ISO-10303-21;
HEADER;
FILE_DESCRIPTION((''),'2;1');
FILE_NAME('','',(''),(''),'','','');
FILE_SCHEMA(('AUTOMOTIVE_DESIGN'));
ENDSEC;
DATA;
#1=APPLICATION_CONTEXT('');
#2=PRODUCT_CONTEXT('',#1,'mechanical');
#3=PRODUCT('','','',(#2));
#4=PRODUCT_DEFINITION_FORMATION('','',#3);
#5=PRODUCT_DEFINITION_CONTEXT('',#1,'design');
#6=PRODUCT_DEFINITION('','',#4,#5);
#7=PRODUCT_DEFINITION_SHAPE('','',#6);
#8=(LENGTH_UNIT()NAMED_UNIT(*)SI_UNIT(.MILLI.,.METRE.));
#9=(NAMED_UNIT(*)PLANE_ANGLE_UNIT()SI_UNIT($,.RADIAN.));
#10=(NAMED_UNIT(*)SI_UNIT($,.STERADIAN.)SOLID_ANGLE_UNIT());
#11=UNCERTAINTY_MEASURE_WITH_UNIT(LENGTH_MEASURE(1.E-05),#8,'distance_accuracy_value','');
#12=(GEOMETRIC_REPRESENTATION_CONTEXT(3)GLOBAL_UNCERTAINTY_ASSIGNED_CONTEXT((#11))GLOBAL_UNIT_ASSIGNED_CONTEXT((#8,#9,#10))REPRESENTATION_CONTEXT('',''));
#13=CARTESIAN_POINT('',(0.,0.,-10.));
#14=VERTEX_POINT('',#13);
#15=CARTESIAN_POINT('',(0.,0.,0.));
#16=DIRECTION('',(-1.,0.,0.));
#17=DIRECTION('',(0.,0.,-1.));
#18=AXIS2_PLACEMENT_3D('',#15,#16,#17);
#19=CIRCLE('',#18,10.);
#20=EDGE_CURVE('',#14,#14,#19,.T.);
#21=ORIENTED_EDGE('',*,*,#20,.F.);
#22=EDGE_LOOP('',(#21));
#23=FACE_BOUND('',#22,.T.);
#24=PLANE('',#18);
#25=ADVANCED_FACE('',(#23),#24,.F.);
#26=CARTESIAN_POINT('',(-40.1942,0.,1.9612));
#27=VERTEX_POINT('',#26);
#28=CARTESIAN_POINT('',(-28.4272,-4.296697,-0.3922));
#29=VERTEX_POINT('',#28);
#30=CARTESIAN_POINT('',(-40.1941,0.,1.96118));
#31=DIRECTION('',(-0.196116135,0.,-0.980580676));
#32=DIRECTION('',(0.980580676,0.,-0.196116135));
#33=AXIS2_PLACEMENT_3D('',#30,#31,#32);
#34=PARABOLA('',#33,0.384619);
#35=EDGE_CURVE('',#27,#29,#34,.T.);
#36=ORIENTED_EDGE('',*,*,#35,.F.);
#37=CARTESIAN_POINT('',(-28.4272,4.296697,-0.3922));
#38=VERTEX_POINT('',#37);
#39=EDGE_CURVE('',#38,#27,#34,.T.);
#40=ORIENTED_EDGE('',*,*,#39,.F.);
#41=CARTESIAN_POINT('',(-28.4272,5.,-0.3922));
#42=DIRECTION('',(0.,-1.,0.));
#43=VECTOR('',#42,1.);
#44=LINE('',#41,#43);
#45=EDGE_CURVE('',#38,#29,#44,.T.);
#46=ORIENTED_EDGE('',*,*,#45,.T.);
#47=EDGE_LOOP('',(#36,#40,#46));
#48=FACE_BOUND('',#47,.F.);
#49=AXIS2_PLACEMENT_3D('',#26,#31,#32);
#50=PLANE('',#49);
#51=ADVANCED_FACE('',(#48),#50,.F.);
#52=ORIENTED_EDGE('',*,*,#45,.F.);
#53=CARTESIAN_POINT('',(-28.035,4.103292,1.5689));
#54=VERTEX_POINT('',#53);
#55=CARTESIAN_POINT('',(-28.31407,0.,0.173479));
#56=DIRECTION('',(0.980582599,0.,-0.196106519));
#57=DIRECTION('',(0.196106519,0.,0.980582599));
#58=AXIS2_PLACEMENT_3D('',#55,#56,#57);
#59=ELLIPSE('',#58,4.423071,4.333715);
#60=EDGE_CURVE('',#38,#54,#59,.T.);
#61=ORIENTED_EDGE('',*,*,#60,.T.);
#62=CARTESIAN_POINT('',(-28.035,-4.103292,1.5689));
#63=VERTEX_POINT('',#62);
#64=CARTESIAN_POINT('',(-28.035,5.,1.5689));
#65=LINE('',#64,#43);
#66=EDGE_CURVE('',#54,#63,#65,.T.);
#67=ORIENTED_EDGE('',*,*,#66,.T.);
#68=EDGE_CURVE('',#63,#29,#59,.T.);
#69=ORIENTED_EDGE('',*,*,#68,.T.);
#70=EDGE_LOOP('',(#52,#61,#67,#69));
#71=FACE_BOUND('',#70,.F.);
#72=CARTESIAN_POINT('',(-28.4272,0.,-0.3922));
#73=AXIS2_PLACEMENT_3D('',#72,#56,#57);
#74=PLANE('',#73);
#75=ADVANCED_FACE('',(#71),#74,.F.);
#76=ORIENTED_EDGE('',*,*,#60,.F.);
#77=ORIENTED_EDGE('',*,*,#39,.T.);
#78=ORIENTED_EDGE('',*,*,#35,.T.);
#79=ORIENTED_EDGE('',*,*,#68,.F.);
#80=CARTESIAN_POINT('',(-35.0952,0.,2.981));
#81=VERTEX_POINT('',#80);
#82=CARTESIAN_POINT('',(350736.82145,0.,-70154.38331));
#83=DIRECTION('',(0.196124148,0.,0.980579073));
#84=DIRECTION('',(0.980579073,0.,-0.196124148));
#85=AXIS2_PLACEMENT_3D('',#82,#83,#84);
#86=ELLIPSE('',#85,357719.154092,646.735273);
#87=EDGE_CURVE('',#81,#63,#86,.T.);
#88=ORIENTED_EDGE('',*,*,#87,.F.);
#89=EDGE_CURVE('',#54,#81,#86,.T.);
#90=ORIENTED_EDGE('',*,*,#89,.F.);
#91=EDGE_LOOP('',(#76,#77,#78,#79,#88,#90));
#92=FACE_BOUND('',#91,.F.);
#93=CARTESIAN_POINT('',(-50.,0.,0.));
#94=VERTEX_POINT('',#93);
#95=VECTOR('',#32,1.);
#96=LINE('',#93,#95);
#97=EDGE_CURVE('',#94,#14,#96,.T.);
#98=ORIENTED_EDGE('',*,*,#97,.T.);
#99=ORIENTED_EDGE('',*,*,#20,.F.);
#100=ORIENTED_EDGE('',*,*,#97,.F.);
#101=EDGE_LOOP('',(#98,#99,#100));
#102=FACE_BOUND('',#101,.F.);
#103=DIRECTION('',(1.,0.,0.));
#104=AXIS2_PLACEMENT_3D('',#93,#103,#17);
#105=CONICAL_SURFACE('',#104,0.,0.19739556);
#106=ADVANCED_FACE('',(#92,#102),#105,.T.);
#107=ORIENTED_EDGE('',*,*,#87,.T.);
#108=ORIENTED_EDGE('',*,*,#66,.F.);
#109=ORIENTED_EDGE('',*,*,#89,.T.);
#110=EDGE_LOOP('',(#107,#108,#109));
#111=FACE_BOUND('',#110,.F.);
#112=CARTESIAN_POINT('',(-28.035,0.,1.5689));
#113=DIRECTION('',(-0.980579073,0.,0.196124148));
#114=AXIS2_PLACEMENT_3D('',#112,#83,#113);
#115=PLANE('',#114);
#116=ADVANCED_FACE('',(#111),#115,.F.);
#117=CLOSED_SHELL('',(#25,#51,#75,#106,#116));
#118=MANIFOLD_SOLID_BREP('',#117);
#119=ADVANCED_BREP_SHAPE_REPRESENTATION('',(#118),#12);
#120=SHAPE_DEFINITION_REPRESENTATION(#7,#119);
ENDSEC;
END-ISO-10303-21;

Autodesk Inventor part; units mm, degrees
ref_plane "YZ Plane" through (0, 0, 0) normal (1, 0, 0) x (0, 1, 0)
ref_plane "XZ Plane" through (0, 0, 0) normal (0, 1, 0) x (-1, 0, 0)
ref_plane "XY Plane" through (0, 0, 0) normal (0, 0, 1) x (1, 0, 0)
sketch "Sketch1" plane through (0, 0, 0) normal (0, 1, 0) x (-1, 0, 0)
  line L0 (0, 0) -> (0, -10)
  line L1 (0, 0) -> (50, 0)
  line L2 (50, 0) -> (0, -10)
  dimension "d0" = 10
  dimension "d1" = 50
revolve "Revolution1" add sketch "Sketch1" angle 360 about axis through (0, 0, 0) along (-1, 0, 0)
sketch "Sketch2" plane through (0, 0, 0) normal (1, 0, 0) x (0, 0, -1)
  circle A0 centre (0, 0) radius 10 projected
  line L0 (-10, 0) -> (10, 0)
  circle A1 centre (0, 0) radius 10 projected
ref_plane "Work Plane1" through (0, 0, 10) normal (-0.1961, 0, 0.9806) x (0, -1, 0)
sketch "Sketch3" plane through (0, 0, 0) normal (0, 1, 0) x (-1, 0, 0)
  line L0 (50, 0) -> (0, -10) projected
  line L1 (0, 10) -> (0, -10) projected
  line L2 (50, 0) -> (0, 10) projected
  line L3 (50, 0) -> (40.1942, 1.9612)
  line L4 (40.1942, 1.9612) -> (28.4272, -0.3922)
  line L5 (28.4272, -0.3922) -> (28.035, 1.5689)
  line L6 (28.035, 1.5689) -> (35.0952, 2.981)
  point P0 (0, 0)
  point P1 (50, 0)
  dimension "d3" = 10
  dimension "d4" = 12
  dimension "d6" = 2
extrude "Extrusion1" cut sketch "Sketch3" along normal mid plane 10 contours L4 L5 L6 L2
properties part number "bishop"
